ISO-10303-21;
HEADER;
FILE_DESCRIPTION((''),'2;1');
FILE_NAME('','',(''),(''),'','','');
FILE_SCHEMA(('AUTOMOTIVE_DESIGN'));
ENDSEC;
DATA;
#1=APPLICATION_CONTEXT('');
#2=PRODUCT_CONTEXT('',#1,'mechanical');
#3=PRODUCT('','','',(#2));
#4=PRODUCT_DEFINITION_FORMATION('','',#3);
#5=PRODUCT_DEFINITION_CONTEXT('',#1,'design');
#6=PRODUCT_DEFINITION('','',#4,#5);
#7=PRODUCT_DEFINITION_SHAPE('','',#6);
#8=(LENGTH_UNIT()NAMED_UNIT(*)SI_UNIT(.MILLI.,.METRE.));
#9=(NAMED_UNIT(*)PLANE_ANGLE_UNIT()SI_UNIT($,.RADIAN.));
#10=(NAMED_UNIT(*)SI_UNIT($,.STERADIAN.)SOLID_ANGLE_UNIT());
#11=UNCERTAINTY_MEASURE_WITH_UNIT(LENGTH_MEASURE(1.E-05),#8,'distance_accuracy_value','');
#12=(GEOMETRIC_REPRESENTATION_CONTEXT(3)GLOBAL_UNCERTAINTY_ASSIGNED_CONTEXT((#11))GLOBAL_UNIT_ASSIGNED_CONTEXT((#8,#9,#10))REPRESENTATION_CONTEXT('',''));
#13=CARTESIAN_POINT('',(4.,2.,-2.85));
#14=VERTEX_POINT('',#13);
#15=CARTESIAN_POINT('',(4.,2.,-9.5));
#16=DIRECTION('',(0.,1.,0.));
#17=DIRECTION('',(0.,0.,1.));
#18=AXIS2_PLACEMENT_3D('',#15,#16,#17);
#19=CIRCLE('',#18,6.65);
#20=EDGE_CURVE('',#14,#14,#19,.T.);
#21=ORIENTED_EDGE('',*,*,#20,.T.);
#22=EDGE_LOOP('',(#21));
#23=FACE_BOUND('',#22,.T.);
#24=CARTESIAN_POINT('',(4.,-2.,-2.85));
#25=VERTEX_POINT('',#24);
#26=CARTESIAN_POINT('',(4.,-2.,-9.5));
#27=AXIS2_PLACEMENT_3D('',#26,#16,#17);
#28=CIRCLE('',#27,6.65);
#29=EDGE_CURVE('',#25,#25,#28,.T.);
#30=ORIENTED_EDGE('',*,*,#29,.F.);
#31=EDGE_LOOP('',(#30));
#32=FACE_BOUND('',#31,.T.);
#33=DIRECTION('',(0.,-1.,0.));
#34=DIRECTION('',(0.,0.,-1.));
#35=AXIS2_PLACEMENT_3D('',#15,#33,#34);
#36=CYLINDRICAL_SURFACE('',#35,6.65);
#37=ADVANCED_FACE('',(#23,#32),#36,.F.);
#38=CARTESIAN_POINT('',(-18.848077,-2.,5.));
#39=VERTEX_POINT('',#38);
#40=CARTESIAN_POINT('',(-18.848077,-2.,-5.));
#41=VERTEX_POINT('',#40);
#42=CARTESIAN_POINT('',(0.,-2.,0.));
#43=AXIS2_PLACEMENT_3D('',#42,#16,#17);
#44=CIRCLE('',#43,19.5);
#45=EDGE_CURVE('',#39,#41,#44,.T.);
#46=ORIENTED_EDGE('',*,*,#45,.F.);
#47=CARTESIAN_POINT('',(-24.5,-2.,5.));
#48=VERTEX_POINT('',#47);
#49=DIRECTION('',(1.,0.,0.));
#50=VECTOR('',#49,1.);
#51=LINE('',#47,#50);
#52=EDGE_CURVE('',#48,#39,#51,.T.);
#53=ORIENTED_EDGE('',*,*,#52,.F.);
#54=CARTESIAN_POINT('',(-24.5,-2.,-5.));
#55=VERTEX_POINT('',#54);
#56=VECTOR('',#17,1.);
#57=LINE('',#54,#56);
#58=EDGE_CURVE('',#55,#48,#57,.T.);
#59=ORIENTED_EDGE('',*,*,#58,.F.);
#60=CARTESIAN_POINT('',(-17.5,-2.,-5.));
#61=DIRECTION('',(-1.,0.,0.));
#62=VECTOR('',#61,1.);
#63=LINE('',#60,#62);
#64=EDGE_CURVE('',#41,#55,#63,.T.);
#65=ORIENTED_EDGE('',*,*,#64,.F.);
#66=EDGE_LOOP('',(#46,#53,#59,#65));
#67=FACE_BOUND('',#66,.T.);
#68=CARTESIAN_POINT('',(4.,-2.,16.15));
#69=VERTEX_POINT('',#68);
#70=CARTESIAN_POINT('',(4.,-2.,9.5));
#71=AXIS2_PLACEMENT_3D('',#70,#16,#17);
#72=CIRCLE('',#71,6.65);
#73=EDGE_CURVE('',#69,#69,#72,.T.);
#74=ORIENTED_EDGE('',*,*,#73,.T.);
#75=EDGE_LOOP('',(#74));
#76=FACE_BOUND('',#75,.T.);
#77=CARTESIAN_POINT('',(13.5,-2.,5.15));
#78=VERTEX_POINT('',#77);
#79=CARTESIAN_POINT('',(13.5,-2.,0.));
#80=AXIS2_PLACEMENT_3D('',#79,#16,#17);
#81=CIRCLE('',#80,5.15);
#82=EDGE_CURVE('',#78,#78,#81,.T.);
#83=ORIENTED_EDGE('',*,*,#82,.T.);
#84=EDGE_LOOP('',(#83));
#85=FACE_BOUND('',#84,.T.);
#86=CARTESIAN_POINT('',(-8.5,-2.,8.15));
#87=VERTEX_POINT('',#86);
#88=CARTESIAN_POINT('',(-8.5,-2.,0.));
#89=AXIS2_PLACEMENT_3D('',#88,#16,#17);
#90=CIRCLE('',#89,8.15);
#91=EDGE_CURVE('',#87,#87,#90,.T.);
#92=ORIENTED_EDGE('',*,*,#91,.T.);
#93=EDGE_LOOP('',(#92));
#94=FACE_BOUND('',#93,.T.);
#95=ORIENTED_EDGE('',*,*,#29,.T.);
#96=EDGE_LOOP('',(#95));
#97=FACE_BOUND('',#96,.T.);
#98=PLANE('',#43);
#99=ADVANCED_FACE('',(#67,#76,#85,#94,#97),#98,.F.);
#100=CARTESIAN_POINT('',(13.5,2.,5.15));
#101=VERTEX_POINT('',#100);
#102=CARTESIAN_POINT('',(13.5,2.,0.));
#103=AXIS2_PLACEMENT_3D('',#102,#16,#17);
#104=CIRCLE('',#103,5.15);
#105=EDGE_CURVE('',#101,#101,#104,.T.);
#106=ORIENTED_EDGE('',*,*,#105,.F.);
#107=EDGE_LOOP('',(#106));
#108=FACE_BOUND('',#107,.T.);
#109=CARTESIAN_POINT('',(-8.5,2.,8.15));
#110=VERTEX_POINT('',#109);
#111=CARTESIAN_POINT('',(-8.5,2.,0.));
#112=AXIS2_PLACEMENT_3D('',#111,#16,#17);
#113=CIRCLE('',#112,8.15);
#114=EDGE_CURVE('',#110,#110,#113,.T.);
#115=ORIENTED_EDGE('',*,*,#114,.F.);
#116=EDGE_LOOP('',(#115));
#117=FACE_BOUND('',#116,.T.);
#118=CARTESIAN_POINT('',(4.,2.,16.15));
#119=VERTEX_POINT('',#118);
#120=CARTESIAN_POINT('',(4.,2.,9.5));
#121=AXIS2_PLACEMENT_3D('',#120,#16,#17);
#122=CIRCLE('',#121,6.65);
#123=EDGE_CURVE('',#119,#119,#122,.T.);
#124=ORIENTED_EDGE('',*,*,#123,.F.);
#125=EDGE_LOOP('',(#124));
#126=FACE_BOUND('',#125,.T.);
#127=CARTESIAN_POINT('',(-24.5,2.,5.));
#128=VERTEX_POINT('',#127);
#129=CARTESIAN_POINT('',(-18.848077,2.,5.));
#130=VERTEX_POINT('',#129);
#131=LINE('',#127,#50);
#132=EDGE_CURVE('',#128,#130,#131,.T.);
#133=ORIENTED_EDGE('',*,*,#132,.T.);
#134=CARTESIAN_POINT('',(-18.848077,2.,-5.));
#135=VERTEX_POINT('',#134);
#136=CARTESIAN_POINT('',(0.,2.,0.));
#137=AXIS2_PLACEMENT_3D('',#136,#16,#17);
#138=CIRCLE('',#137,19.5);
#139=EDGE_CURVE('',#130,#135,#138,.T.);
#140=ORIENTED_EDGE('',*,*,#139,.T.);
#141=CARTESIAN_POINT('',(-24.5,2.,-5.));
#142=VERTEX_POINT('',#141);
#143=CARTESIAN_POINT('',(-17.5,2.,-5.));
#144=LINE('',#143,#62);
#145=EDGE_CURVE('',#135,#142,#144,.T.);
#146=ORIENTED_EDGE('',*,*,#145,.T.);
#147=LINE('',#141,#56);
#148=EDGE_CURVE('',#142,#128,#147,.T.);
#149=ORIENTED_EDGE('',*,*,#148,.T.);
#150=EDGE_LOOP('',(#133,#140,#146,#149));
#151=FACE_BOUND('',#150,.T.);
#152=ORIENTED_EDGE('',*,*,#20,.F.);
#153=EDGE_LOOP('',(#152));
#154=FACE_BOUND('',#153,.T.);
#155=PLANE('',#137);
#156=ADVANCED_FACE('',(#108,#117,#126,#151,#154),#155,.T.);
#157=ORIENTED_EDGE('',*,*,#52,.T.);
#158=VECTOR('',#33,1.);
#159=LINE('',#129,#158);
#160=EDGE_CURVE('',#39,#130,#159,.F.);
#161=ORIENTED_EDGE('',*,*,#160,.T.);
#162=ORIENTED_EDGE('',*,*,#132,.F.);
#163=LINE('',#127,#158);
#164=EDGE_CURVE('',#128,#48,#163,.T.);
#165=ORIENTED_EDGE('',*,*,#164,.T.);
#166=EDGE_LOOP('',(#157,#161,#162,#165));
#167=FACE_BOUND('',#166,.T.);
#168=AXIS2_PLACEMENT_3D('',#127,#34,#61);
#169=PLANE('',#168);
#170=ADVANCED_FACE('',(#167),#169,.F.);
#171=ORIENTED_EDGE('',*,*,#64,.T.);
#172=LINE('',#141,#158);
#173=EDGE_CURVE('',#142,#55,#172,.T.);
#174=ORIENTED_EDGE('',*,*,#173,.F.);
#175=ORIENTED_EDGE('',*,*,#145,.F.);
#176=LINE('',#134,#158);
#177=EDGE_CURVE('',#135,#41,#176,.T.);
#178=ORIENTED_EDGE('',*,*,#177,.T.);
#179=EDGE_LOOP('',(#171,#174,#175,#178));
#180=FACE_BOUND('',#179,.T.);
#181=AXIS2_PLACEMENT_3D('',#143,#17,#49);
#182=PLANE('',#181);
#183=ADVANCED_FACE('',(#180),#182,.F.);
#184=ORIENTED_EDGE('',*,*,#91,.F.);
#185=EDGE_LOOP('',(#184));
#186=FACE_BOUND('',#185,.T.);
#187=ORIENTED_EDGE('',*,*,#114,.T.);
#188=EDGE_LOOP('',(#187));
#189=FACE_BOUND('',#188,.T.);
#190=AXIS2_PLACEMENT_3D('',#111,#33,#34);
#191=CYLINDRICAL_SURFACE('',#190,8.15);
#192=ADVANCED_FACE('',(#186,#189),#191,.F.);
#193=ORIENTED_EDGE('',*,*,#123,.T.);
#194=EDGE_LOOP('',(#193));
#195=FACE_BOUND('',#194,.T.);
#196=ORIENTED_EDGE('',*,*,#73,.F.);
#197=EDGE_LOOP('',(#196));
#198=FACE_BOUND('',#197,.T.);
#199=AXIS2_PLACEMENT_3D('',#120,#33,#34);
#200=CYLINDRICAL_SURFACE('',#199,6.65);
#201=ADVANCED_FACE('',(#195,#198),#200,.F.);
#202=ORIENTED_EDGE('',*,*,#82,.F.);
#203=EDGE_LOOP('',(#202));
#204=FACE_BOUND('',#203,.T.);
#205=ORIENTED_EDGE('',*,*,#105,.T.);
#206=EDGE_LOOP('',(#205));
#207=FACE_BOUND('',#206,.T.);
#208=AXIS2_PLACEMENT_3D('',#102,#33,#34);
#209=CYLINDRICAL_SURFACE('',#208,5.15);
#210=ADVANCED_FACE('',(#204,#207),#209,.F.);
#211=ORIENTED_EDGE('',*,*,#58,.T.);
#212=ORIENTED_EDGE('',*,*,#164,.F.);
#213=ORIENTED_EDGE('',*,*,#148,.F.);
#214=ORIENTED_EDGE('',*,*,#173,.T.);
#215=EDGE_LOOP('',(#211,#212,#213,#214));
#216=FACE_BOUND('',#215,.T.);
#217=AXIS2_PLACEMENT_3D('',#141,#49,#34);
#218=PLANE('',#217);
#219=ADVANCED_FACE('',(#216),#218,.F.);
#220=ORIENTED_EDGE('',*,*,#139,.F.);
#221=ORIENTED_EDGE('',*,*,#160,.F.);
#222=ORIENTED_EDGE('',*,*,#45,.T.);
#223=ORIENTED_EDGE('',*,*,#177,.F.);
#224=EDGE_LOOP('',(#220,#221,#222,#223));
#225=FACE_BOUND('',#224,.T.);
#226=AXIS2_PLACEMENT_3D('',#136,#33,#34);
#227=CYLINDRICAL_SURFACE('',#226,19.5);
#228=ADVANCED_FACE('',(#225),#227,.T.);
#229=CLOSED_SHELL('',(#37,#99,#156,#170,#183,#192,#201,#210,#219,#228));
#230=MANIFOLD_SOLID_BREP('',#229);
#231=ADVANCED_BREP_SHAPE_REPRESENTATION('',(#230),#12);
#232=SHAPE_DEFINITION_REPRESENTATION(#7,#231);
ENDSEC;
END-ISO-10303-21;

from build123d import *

# Parameters (mm, degrees)
SKETCH1_R             = 19.5
SKETCH1_R_2           = 8.15
SKETCH1_R_3           = 6.65
SKETCH1_R_4           = 5.15
DISCO_SEPARADOR_DEPTH = 4
SKETCH2_W             = 7
SKETCH2_H             = 10
PATA_AL_HUESO_DEPTH   = 4


with BuildPart() as part:
    # Sketch1 → Disco_separador (new body)
    with BuildSketch(Plane(origin=(0, -2, 0), x_dir=(1, 0, 0), z_dir=(0, 1, 0))):
        with Locations(Location((0, 0, 0), (0, 0, 270))):
            Circle(SKETCH1_R)
        with Locations(Location((-8.5, 0, 0), (0, 0, 270))):
            Circle(SKETCH1_R_2, mode=Mode.SUBTRACT)
        with Locations(Location((4, -9.5, 0), (0, 0, 270))):
            Circle(SKETCH1_R_3, mode=Mode.SUBTRACT)
        with Locations(Location((4, 9.5, 0), (0, 0, 270))):
            Circle(SKETCH1_R_3, mode=Mode.SUBTRACT)
        with Locations(Location((13.5, 0, 0), (0, 0, 270))):
            Circle(SKETCH1_R_4, mode=Mode.SUBTRACT)
    extrude(amount=DISCO_SEPARADOR_DEPTH)

    # Sketch2 → Pata_al_hueso (add)
    with BuildSketch(Plane(origin=(0, -2, 0), x_dir=(1, 0, 0), z_dir=(0, 1, 0))):
        with Locations((-21, 0)):
            Rectangle(SKETCH2_W, SKETCH2_H)
    extrude(amount=PATA_AL_HUESO_DEPTH)


solid = part.part
